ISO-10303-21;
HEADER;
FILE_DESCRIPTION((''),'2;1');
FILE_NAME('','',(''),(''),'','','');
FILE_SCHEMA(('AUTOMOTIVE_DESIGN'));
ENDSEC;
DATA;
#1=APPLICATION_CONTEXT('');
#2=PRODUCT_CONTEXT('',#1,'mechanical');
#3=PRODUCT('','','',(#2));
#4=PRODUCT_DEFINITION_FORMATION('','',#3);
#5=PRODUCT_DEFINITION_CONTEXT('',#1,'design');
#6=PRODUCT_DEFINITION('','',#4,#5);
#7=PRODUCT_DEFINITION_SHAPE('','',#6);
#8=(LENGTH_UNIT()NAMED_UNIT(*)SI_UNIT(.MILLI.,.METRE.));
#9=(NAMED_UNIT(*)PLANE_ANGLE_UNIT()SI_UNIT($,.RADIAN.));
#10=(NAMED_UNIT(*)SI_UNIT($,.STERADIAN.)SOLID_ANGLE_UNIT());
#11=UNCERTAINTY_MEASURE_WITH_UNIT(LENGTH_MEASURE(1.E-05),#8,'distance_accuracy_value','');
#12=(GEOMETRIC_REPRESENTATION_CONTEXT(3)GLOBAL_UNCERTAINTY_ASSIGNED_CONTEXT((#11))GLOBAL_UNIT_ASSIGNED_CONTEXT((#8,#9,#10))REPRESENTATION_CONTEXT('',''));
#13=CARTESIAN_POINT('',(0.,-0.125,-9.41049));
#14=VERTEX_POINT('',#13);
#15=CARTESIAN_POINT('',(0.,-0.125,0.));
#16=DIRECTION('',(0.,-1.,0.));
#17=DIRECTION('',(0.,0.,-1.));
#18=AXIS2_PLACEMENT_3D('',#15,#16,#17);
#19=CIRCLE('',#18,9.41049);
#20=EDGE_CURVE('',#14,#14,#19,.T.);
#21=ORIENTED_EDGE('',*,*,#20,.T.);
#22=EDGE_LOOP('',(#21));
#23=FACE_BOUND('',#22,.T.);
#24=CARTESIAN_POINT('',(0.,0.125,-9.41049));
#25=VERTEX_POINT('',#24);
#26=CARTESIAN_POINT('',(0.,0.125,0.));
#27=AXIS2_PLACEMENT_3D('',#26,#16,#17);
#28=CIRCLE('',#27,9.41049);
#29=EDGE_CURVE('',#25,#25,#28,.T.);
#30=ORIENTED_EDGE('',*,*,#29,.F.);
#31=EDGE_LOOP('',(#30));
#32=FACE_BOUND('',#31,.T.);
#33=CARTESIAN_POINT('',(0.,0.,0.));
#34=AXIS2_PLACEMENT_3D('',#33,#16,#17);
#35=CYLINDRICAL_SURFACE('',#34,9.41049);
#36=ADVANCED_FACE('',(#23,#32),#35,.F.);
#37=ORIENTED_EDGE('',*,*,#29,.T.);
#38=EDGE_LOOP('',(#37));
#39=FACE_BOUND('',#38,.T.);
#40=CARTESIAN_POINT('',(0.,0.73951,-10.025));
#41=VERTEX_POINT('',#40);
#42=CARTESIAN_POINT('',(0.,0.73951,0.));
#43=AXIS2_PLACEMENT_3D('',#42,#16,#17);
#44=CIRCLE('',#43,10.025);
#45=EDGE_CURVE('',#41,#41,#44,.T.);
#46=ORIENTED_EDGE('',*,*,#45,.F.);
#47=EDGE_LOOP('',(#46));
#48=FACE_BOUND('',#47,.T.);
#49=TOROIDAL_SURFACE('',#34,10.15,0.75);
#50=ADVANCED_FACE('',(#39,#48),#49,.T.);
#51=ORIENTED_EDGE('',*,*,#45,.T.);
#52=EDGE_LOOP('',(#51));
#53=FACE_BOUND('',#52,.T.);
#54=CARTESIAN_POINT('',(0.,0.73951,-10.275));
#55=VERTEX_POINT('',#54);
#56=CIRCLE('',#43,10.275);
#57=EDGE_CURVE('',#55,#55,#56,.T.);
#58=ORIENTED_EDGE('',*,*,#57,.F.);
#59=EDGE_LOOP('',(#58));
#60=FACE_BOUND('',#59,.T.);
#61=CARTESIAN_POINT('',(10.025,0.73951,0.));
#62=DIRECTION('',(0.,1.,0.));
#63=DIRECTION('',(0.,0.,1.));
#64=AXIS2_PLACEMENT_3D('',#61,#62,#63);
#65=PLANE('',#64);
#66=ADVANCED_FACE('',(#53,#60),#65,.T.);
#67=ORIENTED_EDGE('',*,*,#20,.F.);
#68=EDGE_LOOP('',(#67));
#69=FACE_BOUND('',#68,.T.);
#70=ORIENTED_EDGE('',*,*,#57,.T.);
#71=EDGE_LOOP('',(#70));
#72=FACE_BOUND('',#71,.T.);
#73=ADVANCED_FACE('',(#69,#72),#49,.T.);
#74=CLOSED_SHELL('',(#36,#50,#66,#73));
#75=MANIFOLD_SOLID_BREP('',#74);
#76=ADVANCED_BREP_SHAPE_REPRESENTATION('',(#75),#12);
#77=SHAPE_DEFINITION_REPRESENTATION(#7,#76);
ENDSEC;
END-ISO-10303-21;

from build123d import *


with BuildPart() as part:
    # Эскиз1 → Повернуть1 (revolve)
    with BuildSketch(Plane.XY):
        with BuildLine():
            Line((9.410490027, 0.125), (9.410490027, -0.125))
            ThreePointArc((9.410490027, -0.125), (10.680330086, -0.530330086), (10.275, 0.739509973))
            Line((10.275, 0.739509973), (10.025, 0.739509973))
            ThreePointArc((10.025, 0.739509973), (9.619669914, 0.530330086), (9.410490027, 0.125))
        make_face()
    revolve(axis=Axis((0, 0, 0), (0, 1, 0)))


solid = part.part
